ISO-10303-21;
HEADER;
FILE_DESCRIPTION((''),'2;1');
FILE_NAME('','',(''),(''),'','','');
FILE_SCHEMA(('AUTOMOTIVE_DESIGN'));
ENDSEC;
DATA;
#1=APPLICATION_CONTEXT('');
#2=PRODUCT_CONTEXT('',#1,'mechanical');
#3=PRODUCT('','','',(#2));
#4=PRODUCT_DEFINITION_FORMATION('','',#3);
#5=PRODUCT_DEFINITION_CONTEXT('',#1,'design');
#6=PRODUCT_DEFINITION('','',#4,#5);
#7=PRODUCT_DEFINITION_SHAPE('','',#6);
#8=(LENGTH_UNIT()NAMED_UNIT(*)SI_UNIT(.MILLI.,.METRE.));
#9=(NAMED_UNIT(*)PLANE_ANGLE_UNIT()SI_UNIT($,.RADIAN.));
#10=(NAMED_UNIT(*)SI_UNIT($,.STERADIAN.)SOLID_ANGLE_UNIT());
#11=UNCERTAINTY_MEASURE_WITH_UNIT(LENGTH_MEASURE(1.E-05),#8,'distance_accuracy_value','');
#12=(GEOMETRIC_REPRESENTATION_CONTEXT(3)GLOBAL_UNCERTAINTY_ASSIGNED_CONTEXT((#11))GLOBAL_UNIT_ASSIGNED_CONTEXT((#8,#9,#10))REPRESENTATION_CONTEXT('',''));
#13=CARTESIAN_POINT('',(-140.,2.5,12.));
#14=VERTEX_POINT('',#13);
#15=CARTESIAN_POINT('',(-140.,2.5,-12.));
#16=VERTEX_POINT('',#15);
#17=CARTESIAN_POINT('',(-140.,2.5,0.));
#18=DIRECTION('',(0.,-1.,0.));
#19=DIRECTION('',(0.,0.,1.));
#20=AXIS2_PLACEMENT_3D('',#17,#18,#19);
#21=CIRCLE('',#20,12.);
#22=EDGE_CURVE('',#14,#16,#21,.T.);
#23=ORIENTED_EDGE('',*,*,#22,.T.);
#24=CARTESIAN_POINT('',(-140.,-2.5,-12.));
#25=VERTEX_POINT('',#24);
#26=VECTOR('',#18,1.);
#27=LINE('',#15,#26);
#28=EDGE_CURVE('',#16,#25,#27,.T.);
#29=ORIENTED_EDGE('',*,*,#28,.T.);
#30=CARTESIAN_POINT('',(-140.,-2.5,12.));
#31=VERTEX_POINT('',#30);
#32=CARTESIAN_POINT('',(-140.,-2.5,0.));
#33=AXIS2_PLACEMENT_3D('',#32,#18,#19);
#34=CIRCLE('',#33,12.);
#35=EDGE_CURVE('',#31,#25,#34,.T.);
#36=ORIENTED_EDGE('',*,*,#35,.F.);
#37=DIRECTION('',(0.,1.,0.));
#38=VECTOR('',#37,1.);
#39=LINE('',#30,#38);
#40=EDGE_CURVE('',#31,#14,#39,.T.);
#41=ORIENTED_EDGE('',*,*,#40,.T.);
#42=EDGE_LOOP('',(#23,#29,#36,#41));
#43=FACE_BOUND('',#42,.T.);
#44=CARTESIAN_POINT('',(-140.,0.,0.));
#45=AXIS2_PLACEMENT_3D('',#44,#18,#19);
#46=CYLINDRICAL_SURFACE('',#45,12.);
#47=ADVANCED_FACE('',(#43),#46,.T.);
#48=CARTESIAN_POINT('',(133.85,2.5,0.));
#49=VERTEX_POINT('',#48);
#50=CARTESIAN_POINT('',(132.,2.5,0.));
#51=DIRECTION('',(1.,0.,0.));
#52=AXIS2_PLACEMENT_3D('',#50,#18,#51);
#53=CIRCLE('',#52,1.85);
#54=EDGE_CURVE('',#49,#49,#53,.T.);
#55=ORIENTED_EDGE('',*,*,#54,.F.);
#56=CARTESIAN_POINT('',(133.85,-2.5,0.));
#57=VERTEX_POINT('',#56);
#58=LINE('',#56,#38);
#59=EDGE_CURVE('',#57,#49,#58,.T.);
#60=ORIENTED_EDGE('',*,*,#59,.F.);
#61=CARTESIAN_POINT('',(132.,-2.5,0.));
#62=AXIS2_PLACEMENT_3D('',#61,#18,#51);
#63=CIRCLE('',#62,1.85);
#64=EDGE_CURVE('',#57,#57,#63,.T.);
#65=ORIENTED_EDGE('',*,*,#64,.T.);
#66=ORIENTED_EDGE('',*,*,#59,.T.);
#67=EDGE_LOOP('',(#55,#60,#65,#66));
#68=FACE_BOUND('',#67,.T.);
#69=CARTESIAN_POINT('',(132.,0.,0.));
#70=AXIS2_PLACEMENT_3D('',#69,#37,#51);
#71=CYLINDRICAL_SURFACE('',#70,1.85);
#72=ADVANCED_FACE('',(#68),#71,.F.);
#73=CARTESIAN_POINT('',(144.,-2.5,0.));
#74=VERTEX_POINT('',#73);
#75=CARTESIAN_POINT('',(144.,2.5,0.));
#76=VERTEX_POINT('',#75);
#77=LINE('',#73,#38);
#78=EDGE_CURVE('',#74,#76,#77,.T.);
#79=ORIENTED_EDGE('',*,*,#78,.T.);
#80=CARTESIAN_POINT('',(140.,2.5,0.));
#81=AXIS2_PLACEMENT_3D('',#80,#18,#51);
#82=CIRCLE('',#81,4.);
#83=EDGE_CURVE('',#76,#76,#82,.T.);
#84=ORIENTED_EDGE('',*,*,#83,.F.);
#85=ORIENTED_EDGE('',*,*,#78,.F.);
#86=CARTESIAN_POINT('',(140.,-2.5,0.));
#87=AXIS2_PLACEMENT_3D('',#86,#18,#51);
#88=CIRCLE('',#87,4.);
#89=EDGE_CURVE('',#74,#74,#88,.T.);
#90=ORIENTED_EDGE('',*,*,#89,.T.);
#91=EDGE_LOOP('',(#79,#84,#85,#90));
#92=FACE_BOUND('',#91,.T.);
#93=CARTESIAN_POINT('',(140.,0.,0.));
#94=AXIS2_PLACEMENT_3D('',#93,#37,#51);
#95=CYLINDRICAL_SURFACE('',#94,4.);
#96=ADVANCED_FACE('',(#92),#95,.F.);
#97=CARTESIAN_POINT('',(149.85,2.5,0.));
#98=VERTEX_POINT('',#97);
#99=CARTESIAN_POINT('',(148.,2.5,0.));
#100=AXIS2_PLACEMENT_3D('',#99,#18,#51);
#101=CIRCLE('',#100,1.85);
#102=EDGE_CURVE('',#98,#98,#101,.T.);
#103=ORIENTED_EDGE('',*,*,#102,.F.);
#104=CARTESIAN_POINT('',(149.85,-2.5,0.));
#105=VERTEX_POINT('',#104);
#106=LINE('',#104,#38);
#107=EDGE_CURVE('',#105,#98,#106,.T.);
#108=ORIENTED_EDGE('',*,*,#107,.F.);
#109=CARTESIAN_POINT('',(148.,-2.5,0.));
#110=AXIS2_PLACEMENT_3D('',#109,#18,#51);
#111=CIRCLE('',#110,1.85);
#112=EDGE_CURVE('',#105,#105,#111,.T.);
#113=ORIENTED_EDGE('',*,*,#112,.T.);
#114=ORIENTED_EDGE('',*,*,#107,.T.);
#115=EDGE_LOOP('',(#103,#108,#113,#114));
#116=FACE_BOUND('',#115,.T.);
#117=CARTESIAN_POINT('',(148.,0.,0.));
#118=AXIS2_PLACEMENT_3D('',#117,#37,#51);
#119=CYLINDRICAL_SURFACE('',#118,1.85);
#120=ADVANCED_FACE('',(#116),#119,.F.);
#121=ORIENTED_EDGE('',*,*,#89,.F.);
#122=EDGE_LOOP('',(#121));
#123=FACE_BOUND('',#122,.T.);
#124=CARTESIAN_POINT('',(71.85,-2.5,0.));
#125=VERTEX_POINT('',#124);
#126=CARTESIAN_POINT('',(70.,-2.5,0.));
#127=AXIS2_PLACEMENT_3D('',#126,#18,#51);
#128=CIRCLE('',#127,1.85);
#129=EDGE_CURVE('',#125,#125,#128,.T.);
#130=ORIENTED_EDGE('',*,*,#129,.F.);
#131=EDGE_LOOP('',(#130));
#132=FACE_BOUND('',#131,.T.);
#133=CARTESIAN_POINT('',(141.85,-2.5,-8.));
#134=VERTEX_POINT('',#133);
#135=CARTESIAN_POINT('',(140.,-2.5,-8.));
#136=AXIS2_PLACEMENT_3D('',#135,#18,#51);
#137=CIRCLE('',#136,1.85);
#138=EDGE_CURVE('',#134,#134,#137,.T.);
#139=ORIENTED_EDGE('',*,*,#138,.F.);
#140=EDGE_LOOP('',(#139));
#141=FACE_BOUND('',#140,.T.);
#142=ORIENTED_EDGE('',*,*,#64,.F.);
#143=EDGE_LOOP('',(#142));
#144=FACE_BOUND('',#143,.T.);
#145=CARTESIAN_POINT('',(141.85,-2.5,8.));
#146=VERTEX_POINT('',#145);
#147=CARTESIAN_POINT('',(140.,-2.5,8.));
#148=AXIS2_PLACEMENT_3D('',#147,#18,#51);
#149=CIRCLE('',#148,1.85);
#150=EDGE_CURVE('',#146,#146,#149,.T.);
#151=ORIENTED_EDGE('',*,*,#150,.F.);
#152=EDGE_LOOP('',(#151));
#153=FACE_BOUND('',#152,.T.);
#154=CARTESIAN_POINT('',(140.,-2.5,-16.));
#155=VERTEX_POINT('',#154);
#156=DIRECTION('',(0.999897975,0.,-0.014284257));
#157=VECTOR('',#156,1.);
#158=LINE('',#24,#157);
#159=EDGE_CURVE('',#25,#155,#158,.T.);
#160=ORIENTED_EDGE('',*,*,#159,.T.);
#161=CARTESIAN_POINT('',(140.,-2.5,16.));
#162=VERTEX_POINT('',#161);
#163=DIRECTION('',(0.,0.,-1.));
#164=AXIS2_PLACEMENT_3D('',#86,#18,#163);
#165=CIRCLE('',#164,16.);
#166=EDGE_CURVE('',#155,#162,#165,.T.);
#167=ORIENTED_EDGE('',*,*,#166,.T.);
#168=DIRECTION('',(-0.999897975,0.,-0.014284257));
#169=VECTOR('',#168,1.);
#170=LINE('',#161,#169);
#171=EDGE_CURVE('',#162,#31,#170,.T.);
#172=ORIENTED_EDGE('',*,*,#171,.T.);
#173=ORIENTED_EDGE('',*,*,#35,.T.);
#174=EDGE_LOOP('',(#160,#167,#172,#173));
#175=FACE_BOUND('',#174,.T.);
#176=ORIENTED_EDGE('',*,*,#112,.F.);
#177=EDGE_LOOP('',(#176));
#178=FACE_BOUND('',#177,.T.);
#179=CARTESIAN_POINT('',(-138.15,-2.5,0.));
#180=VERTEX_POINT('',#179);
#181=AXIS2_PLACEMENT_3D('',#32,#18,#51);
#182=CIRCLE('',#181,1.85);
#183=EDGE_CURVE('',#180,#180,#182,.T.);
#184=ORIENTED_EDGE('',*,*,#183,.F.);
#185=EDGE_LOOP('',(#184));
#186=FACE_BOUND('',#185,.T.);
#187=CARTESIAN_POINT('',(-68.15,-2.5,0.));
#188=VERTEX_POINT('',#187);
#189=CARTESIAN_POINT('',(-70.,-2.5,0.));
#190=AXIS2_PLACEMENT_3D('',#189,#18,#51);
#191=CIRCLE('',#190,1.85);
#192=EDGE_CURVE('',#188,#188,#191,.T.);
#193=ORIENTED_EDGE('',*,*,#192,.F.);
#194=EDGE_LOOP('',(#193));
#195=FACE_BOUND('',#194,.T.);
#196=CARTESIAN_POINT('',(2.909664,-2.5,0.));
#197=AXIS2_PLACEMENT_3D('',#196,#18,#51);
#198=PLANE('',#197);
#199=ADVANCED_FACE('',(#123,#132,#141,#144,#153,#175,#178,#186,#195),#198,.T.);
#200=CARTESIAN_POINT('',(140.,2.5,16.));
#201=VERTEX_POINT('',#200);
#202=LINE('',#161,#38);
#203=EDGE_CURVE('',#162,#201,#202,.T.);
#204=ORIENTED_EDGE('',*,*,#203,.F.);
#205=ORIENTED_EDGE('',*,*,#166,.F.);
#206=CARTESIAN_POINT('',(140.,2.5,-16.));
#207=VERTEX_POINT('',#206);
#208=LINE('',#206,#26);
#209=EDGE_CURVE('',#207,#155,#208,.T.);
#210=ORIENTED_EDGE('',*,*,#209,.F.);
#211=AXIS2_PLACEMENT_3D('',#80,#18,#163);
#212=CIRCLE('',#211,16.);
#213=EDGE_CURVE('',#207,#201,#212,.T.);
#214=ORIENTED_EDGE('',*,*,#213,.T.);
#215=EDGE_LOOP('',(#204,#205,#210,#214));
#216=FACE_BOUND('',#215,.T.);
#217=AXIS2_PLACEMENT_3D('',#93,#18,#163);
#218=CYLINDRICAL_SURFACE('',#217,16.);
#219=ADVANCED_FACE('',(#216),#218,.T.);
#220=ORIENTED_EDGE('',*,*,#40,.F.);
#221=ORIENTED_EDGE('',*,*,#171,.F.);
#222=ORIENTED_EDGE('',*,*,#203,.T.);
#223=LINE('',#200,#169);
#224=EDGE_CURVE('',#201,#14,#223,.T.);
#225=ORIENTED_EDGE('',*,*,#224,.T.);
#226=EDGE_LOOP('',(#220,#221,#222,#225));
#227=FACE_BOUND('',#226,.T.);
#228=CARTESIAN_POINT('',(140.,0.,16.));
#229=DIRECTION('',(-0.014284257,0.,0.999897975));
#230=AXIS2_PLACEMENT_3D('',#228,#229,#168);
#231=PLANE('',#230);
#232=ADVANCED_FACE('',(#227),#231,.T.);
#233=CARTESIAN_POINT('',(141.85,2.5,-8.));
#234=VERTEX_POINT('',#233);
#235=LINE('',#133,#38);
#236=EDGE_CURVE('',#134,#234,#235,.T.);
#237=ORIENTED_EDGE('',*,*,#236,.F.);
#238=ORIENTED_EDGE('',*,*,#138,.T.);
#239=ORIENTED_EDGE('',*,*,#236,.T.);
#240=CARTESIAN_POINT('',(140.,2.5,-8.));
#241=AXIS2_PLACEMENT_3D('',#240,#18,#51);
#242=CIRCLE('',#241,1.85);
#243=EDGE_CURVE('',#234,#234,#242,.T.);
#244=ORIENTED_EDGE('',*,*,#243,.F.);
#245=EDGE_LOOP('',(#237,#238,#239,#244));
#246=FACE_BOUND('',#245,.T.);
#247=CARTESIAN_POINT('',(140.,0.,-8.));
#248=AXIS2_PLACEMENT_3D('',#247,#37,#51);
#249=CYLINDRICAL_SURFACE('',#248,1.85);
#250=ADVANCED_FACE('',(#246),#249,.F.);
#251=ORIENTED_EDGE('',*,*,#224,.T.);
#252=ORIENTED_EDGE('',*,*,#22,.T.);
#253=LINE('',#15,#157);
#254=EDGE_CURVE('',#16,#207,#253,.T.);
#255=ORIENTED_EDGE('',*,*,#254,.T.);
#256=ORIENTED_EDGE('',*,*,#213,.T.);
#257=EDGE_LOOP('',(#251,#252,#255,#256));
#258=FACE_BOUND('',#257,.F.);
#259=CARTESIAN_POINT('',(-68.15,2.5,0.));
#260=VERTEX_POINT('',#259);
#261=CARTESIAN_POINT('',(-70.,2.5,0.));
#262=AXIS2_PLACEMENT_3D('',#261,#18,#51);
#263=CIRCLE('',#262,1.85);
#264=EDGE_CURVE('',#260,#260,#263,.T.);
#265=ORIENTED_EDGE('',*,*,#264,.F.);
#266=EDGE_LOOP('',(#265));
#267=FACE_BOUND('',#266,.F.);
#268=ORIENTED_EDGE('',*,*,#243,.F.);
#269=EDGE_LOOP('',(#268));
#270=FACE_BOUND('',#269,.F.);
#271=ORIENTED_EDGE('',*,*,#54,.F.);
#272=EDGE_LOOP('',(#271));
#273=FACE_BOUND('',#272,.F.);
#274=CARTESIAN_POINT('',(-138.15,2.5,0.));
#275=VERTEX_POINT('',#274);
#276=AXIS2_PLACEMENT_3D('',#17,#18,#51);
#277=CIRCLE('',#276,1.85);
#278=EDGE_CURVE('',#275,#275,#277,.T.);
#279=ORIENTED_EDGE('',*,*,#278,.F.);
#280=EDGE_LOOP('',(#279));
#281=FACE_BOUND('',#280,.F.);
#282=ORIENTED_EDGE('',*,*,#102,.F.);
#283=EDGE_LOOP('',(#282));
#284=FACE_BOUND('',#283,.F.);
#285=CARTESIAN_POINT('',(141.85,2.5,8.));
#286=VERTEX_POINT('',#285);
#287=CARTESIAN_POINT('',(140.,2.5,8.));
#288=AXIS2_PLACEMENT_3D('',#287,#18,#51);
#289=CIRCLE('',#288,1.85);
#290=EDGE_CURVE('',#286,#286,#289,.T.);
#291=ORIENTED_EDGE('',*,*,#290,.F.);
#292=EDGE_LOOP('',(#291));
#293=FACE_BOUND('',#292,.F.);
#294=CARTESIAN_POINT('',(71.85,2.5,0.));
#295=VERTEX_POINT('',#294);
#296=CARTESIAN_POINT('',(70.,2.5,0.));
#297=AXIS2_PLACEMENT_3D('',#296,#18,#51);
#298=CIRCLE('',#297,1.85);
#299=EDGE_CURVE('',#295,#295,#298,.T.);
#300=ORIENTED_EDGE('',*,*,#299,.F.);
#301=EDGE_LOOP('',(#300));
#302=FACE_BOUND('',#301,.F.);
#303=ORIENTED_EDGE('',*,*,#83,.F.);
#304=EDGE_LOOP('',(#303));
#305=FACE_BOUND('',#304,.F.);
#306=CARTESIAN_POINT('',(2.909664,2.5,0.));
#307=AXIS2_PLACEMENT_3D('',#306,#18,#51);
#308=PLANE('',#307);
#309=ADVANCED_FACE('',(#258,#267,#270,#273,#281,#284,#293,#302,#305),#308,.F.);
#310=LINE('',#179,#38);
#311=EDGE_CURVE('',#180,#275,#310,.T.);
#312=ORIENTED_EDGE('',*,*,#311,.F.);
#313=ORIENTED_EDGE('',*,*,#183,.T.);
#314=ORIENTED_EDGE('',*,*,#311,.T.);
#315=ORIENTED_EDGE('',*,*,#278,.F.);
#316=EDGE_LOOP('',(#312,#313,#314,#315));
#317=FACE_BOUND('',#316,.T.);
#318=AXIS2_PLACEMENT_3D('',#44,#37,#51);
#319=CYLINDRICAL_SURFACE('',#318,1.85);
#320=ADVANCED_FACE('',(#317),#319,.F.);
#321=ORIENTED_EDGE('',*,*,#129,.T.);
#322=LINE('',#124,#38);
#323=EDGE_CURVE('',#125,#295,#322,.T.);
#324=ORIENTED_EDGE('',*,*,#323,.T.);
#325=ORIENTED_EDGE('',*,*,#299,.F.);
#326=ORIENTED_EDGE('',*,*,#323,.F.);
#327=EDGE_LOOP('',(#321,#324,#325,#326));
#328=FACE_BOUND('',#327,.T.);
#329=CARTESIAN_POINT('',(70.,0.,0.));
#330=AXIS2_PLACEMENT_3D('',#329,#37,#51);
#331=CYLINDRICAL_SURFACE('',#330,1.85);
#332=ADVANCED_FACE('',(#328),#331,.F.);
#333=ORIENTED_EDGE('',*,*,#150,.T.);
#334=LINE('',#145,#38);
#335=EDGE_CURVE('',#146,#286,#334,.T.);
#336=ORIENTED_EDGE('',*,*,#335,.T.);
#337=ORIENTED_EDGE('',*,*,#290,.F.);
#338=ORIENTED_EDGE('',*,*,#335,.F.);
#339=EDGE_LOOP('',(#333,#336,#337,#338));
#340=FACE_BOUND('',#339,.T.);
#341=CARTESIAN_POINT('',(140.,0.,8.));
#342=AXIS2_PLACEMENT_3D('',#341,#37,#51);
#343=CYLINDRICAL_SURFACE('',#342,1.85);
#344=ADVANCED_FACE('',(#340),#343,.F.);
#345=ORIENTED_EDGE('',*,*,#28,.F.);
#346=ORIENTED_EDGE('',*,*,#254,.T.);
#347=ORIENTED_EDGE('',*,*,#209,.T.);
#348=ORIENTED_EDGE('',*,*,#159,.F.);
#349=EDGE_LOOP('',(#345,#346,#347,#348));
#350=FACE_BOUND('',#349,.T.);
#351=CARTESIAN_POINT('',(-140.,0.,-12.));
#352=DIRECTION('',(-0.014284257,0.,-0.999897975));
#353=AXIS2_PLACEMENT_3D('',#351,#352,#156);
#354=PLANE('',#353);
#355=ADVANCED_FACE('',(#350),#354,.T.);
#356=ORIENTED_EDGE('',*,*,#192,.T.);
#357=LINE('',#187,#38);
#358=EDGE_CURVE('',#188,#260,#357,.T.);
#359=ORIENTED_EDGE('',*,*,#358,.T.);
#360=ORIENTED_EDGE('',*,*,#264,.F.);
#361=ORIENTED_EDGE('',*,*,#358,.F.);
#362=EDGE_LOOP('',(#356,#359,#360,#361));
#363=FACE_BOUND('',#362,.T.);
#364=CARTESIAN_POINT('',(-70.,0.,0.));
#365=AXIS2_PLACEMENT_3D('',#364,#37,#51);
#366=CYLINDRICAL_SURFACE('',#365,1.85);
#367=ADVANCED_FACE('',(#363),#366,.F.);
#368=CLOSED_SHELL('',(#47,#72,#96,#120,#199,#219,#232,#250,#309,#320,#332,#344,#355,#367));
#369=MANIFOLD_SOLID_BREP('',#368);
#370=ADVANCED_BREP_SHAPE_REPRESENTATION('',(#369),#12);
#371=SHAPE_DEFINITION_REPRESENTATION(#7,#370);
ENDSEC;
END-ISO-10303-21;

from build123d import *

# Parameters (mm, degrees)
F0_R     = 1.85
F0_R_2   = 4
F1_DEPTH = 2.5


with BuildPart() as f1:
    # F0 (on Front) → F1 (new body, symmetric)
    with BuildSketch(Plane.XZ):
        with BuildLine():
            ThreePointArc((-140, 12), (-152, 0), (-140, -12))
            Line((-140, -12), (140, -16))
            ThreePointArc((140, -16), (156, 0), (140, 16))
            Line((140, 16), (-140, 12))
        make_face()
        with Locations((140, -8)):
            Circle(F0_R, mode=Mode.SUBTRACT)
        with Locations((-140, 0)):
            Circle(F0_R, mode=Mode.SUBTRACT)
        with Locations((-70, 0)):
            Circle(F0_R, mode=Mode.SUBTRACT)
        with Locations((70, 0)):
            Circle(F0_R, mode=Mode.SUBTRACT)
        with Locations((132, 0)):
            Circle(F0_R, mode=Mode.SUBTRACT)
        with Locations((140, 0)):
            Circle(F0_R_2, mode=Mode.SUBTRACT)
        with Locations((148, 0)):
            Circle(F0_R, mode=Mode.SUBTRACT)
        with Locations((140, 8)):
            Circle(F0_R, mode=Mode.SUBTRACT)
    extrude(amount=F1_DEPTH, both=True)


solid = f1.part
